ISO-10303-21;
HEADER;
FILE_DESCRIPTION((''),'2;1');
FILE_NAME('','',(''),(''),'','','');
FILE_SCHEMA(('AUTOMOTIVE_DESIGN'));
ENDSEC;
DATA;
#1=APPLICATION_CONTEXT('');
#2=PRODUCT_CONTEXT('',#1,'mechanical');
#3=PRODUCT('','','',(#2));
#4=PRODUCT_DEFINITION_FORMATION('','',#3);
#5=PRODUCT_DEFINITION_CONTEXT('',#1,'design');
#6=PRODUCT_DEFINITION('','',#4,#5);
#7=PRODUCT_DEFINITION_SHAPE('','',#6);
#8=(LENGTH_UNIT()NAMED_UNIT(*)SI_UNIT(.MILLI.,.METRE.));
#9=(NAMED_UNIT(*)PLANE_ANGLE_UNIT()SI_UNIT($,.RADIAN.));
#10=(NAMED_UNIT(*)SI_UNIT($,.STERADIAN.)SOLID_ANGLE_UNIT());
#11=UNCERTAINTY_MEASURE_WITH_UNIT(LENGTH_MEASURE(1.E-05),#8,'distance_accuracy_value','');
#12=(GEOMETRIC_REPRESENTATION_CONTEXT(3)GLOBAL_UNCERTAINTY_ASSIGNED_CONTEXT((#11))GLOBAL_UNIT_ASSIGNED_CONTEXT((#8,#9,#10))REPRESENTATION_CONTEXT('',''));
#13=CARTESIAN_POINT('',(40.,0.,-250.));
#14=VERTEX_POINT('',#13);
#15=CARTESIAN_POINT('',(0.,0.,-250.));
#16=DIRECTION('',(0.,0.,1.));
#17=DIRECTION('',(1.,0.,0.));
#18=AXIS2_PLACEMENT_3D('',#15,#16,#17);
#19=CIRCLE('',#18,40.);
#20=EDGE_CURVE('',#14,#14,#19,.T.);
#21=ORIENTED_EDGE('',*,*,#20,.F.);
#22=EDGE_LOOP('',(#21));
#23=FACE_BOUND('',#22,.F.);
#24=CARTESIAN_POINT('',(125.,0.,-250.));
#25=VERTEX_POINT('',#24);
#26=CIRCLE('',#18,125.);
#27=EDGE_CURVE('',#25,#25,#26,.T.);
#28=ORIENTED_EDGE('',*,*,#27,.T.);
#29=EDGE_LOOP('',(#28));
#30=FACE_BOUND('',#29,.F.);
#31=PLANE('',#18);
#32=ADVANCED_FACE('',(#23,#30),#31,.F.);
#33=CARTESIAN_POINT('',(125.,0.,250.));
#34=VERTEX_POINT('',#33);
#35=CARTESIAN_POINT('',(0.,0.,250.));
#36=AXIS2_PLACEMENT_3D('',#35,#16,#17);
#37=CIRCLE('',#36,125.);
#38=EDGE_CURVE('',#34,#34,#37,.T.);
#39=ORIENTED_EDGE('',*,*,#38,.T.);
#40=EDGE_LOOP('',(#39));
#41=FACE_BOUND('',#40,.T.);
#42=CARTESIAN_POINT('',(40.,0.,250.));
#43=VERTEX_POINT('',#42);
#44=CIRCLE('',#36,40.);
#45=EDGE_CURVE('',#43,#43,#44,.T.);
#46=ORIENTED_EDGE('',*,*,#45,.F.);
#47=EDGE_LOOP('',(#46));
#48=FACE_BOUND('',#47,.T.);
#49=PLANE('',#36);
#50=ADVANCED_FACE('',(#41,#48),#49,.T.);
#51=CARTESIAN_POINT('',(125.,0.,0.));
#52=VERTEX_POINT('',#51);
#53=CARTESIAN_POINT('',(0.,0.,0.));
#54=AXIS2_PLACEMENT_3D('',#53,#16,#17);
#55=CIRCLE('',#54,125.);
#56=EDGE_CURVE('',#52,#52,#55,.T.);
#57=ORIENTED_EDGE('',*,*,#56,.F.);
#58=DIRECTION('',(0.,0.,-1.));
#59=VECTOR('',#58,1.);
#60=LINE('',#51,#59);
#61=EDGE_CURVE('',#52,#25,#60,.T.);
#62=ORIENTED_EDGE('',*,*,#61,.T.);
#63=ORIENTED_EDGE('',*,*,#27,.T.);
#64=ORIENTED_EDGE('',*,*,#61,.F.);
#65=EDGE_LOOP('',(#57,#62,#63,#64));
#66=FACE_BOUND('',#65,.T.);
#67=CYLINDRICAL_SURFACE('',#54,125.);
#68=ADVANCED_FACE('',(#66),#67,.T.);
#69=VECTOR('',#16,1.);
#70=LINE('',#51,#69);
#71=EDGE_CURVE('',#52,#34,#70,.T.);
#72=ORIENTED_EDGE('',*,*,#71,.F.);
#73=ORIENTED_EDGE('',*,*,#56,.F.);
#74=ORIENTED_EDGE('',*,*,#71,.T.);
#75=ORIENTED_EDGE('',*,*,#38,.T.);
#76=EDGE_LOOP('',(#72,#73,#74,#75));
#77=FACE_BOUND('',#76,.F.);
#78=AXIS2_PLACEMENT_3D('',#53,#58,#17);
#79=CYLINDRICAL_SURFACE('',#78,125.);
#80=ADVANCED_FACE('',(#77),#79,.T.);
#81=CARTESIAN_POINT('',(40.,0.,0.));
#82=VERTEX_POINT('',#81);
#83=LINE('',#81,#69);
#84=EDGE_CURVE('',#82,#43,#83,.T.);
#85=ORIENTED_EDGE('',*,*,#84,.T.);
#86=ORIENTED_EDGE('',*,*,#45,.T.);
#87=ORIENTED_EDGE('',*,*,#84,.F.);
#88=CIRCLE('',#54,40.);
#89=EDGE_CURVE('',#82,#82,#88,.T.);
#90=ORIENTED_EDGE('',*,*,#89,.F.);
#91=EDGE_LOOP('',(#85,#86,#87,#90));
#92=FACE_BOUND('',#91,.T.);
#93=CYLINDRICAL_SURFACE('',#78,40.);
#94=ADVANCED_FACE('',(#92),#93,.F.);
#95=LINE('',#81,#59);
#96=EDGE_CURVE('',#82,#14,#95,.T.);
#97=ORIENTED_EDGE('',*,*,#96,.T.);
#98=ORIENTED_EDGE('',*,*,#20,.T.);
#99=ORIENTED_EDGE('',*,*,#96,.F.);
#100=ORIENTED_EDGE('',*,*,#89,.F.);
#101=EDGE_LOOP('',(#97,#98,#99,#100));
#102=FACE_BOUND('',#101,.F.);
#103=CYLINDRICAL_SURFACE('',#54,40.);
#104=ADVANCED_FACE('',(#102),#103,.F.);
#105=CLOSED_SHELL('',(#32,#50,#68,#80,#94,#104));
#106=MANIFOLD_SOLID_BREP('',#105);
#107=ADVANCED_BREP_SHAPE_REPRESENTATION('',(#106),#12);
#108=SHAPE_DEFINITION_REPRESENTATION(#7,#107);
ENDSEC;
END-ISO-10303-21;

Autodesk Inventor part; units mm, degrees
ref_plane "YZ Plane" through (0, 0, 0) normal (1, 0, 0) x (0, 1, 0)
ref_plane "XZ Plane" through (0, 0, 0) normal (0, 1, 0) x (-1, 0, 0)
ref_plane "XY Plane" through (0, 0, 0) normal (0, 0, 1) x (1, 0, 0)
sketch "Sketch1" plane through (0, 0, 0) normal (0, 0, 1) x (1, 0, 0)
  circle A0 centre (0, 0) radius 125
  circle A1 centre (0, 0) radius 40
  dimension "d6" = 250
  dimension "d9" = 80
extrude "Extrusion1" add sketch "Sketch1" along normal mid plane 500
equation "\"d7\" = Length"
equation "\"Length\" = 500"
properties part number "Solenoid600"
